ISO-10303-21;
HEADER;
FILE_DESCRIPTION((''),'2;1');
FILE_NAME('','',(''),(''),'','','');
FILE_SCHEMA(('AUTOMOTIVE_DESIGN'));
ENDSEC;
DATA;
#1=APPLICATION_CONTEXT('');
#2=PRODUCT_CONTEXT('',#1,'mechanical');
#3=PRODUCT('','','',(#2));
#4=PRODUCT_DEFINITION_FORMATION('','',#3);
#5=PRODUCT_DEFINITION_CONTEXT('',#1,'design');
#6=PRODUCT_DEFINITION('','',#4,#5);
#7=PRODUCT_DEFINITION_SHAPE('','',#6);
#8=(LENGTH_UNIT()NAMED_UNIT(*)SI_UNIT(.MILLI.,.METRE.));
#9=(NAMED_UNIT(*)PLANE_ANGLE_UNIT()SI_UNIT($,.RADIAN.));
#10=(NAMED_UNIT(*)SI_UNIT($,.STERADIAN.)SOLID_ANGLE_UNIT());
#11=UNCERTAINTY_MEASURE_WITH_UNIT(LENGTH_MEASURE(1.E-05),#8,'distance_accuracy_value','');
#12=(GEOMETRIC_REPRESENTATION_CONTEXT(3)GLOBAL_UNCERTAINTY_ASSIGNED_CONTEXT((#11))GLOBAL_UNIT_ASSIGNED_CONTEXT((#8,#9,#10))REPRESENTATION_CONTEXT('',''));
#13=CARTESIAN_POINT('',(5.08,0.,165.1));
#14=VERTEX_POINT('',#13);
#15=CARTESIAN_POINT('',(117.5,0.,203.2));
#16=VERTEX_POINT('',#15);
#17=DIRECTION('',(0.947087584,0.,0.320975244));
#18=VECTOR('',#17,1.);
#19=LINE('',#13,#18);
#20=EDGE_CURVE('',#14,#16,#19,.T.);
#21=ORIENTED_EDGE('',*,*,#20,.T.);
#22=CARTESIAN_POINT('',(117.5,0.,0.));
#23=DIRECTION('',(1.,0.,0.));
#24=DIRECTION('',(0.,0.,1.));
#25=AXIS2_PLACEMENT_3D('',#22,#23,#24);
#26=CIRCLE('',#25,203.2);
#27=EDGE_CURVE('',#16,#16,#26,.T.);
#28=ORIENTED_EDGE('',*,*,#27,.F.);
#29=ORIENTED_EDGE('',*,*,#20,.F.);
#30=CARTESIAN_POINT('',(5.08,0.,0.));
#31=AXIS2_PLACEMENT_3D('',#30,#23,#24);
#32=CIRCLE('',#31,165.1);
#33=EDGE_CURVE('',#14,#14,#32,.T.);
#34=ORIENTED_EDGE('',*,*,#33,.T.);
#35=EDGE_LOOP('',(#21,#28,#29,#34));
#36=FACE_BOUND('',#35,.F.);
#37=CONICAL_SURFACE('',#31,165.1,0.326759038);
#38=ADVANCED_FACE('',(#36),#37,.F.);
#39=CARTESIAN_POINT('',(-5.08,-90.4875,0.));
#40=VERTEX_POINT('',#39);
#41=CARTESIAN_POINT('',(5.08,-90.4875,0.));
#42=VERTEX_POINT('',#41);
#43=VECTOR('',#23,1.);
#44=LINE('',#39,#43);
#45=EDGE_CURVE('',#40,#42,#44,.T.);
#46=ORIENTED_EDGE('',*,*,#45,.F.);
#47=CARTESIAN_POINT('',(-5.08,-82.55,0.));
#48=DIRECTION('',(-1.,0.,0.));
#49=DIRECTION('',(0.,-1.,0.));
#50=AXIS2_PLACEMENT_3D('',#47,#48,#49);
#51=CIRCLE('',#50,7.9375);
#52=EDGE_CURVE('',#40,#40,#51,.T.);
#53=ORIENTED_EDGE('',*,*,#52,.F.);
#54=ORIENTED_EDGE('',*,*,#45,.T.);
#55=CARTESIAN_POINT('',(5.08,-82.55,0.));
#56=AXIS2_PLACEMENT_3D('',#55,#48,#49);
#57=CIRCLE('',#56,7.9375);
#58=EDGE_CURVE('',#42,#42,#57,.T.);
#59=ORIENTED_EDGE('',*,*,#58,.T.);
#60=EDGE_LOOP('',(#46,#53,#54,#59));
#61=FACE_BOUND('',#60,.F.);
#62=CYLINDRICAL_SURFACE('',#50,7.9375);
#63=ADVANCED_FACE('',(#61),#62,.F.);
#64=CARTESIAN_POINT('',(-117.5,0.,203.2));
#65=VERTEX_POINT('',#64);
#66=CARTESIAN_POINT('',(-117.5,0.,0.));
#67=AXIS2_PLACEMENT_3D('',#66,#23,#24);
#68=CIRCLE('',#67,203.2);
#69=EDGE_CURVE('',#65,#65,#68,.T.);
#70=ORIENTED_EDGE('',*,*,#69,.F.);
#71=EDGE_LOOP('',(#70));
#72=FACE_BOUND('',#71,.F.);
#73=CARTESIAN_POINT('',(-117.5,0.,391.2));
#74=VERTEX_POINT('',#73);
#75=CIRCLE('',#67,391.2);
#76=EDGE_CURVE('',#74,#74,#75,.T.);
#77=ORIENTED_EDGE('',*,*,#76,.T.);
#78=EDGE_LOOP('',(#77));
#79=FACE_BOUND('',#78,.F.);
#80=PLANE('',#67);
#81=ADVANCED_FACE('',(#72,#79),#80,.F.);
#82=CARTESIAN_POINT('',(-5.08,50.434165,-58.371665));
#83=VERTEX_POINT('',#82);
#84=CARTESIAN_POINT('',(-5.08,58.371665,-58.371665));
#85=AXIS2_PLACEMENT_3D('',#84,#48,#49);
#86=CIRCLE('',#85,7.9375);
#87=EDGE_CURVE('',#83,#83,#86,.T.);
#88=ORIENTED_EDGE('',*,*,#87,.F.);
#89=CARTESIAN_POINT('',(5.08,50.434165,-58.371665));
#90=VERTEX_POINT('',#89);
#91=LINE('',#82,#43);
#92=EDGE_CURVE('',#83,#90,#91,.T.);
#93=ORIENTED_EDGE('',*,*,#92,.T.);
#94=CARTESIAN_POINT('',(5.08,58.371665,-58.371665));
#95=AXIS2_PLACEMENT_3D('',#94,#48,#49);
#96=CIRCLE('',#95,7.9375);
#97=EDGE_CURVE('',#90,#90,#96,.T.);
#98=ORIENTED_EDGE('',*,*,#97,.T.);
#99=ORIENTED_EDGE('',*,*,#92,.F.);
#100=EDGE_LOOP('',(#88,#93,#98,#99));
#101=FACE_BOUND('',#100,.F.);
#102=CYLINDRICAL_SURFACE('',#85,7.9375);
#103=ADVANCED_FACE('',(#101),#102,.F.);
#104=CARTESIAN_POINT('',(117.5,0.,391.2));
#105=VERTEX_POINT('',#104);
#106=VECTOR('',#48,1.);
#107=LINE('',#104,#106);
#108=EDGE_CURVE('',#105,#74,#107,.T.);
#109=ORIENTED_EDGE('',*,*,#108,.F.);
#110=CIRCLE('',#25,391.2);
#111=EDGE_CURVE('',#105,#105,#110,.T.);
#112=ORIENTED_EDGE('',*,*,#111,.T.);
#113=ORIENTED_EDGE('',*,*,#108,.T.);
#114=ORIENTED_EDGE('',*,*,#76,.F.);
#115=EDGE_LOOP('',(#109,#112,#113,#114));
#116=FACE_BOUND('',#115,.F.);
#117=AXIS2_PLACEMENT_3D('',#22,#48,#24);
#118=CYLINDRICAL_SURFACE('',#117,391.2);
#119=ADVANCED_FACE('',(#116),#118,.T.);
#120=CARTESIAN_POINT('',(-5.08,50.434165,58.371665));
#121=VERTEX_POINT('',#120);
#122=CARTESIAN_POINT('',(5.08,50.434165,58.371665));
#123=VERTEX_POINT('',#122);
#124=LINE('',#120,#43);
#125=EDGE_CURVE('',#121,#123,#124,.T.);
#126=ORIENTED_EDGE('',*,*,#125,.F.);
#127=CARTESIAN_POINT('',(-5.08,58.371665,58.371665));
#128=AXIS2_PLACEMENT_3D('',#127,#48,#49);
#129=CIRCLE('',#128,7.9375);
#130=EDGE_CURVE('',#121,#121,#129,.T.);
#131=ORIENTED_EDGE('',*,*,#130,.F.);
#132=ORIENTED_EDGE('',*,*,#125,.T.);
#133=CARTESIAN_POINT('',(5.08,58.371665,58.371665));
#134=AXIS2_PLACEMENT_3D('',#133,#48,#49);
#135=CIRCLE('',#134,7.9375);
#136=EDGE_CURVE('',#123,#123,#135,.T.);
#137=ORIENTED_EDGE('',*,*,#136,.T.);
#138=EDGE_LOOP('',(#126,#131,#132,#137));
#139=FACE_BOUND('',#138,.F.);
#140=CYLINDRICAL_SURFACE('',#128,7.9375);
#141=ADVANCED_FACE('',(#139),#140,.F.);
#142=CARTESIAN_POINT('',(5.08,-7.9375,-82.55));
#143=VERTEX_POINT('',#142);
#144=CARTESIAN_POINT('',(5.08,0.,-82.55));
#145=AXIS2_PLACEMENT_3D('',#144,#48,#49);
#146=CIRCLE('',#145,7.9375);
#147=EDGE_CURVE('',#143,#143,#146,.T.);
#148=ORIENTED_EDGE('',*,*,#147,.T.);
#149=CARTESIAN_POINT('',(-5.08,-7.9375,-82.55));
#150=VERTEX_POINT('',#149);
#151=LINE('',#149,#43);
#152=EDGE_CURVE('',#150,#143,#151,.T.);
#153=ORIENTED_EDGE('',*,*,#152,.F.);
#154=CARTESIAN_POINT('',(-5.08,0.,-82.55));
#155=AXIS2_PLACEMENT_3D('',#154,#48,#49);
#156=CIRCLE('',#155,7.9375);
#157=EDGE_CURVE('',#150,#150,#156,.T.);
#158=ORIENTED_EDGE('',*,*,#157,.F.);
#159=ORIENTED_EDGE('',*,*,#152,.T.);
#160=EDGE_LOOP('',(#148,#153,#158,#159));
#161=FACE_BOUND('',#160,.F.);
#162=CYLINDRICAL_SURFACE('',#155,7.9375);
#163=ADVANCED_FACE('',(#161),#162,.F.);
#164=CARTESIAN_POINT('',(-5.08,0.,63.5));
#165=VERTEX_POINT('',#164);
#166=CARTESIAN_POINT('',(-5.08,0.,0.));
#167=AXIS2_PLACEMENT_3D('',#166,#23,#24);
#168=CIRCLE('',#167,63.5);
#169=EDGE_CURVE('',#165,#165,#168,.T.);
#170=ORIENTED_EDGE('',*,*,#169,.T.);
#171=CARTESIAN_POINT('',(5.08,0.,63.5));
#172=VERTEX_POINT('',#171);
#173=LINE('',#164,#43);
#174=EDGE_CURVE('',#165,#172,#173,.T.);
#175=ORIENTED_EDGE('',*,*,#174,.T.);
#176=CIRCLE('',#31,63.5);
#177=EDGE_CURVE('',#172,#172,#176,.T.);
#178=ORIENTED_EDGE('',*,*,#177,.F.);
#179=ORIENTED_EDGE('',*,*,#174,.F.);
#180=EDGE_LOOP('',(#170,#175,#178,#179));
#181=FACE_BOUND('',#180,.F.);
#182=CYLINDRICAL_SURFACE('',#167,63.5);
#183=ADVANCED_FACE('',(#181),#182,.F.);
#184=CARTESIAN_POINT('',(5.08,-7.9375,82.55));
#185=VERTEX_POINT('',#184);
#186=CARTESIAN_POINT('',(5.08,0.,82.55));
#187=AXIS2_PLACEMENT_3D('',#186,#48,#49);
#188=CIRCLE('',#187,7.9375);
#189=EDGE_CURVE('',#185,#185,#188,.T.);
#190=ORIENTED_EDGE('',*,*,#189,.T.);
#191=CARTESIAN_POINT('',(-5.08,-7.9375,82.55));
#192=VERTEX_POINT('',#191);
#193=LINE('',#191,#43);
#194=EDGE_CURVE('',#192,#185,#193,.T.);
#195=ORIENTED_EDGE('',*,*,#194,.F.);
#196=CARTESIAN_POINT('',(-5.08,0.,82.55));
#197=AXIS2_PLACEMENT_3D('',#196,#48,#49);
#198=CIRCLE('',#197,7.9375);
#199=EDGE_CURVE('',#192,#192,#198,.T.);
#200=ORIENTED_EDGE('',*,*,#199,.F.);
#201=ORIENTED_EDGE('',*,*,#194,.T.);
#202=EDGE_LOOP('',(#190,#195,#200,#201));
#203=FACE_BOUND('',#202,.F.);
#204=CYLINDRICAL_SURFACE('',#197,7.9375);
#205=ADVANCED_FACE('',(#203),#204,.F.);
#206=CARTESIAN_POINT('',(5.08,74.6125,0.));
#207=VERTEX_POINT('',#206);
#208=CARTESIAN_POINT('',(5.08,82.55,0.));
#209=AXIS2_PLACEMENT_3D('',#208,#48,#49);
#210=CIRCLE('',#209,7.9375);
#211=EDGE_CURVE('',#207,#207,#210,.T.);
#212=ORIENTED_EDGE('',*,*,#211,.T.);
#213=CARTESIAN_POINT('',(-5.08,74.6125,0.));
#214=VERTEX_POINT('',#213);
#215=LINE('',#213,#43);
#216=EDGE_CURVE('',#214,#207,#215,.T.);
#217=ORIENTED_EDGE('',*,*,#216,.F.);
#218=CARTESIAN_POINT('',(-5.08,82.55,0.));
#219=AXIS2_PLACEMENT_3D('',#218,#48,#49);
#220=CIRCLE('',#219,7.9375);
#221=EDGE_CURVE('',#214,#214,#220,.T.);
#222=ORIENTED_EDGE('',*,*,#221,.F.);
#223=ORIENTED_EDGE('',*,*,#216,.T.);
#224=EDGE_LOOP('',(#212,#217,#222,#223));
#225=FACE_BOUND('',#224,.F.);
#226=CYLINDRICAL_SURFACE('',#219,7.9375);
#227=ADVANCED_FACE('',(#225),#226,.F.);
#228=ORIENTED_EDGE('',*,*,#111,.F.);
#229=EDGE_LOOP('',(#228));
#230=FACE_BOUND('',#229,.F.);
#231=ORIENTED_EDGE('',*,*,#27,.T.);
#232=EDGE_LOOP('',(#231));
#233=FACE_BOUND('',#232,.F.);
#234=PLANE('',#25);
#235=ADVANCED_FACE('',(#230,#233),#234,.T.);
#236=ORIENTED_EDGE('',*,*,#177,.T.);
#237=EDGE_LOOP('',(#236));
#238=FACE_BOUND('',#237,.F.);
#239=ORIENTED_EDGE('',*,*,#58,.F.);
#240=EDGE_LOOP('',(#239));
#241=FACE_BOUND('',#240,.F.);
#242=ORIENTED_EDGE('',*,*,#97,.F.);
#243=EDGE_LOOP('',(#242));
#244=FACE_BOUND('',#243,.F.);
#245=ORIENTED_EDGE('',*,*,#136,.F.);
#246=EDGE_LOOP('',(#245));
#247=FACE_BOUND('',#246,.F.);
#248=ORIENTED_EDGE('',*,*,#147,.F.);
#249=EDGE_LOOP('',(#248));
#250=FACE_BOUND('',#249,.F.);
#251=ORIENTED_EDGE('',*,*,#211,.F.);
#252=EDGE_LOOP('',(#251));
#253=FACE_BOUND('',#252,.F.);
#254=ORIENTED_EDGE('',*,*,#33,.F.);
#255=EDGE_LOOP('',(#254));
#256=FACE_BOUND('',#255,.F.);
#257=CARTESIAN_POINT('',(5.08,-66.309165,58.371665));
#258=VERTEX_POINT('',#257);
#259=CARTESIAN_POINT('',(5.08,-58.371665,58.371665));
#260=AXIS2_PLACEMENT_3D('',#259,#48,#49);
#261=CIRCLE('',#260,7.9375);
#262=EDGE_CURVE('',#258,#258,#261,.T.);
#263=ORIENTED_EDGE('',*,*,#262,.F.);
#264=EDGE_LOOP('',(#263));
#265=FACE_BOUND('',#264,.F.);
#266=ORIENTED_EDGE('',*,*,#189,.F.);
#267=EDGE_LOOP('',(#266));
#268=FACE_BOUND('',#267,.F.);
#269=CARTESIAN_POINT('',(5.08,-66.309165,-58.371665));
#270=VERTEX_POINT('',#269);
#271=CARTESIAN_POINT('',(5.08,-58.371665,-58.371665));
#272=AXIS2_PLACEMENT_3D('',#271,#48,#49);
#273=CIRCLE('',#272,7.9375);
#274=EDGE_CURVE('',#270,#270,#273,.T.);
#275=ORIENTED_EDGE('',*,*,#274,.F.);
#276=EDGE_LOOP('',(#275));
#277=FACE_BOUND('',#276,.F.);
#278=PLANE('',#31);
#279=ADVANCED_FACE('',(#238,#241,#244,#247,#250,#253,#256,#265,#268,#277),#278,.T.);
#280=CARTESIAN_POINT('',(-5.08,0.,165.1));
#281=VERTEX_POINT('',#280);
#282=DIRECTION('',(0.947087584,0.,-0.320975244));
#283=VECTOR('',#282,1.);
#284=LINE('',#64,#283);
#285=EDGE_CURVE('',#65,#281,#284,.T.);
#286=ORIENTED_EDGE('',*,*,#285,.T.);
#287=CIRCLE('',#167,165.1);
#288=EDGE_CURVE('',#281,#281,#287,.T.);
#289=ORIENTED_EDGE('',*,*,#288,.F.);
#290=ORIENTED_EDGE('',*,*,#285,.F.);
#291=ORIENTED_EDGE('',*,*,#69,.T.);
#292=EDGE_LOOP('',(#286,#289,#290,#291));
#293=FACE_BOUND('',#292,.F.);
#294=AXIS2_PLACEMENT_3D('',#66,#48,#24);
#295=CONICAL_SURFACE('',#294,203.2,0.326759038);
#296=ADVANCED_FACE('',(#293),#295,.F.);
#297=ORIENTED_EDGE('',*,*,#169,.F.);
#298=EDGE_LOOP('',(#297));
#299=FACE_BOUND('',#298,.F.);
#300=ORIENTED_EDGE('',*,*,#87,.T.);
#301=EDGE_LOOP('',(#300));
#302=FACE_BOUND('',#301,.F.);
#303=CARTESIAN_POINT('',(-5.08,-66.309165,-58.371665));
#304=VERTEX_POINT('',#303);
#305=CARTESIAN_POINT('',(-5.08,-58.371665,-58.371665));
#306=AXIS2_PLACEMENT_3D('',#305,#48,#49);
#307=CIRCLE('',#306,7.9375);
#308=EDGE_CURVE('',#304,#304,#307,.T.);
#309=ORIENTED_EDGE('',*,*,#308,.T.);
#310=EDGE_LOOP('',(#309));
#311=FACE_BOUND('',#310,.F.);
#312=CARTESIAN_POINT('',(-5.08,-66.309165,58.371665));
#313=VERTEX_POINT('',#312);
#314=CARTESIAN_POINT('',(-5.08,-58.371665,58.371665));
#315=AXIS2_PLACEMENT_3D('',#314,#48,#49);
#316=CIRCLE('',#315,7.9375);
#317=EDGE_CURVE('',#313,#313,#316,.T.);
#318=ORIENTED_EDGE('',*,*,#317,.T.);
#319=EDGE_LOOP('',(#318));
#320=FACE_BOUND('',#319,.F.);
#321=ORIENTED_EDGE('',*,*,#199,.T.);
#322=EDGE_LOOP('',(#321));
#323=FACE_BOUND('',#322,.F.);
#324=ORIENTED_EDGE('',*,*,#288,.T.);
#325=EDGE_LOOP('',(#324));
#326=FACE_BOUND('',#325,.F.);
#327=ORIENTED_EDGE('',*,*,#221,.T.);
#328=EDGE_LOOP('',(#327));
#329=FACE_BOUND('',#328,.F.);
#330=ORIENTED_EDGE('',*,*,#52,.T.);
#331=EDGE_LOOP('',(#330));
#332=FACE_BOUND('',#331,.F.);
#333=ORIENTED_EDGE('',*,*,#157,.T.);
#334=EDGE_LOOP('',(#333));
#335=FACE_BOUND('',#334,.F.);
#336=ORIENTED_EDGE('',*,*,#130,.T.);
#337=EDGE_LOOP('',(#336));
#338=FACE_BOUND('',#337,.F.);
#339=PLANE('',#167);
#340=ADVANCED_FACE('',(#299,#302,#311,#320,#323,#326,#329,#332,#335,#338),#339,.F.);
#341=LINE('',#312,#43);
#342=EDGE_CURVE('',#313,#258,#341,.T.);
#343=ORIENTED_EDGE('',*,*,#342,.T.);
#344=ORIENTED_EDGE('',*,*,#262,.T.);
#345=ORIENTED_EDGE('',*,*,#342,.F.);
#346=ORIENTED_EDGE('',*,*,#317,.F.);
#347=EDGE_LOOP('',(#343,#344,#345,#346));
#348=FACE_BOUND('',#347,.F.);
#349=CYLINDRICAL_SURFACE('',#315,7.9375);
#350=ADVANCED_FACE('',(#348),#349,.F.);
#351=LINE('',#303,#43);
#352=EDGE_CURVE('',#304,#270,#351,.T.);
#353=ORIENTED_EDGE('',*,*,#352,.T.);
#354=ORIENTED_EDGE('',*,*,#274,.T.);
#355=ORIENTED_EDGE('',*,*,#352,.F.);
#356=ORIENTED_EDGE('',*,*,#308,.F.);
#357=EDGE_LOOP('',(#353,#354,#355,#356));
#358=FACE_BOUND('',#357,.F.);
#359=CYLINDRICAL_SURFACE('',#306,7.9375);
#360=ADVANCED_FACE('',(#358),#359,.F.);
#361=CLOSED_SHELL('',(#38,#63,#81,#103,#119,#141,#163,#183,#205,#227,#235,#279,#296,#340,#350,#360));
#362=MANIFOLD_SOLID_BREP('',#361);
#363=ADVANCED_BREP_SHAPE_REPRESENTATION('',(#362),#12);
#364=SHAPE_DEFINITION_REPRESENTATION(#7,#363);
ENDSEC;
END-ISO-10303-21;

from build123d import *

# Parameters (mm, degrees)
F2_R     = 7.9375
F3_DEPTH = 122.581


with BuildPart() as f1:
    # F0 (on Front) → F1 (revolve)
    with BuildSketch(Plane.XZ):
        Polygon((-5.08, 165.1), (-5.08, 63.5), (5.08, 63.5), (5.08, 165.1), (117.5, 203.2), (117.5, 391.2), (-117.5, 391.2), (-117.5, 203.2), align=None)
    revolve(axis=Axis((10.536201, 0, 0), (1, 0, 0)))

    # F2 (on face) → F3 (cut, through all)
    with BuildSketch(Plane(origin=(-5.08, 0, 0), x_dir=(0, -1, 0), z_dir=(-1, 0, 0))):
        with Locations((0, 82.55)):
            Circle(F2_R)
        with Locations((58.371665, 58.371665)):
            Circle(F2_R)
        with Locations((82.55, 0)):
            Circle(F2_R)
        with Locations((58.371665, -58.371665)):
            Circle(F2_R)
        with Locations((0, -82.55)):
            Circle(F2_R)
        with Locations((-58.371665, -58.371665)):
            Circle(F2_R)
        with Locations((-82.55, 0)):
            Circle(F2_R)
        with Locations((-58.371665, 58.371665)):
            Circle(F2_R)
    extrude(amount=-F3_DEPTH, mode=Mode.SUBTRACT)


solid = f1.part
